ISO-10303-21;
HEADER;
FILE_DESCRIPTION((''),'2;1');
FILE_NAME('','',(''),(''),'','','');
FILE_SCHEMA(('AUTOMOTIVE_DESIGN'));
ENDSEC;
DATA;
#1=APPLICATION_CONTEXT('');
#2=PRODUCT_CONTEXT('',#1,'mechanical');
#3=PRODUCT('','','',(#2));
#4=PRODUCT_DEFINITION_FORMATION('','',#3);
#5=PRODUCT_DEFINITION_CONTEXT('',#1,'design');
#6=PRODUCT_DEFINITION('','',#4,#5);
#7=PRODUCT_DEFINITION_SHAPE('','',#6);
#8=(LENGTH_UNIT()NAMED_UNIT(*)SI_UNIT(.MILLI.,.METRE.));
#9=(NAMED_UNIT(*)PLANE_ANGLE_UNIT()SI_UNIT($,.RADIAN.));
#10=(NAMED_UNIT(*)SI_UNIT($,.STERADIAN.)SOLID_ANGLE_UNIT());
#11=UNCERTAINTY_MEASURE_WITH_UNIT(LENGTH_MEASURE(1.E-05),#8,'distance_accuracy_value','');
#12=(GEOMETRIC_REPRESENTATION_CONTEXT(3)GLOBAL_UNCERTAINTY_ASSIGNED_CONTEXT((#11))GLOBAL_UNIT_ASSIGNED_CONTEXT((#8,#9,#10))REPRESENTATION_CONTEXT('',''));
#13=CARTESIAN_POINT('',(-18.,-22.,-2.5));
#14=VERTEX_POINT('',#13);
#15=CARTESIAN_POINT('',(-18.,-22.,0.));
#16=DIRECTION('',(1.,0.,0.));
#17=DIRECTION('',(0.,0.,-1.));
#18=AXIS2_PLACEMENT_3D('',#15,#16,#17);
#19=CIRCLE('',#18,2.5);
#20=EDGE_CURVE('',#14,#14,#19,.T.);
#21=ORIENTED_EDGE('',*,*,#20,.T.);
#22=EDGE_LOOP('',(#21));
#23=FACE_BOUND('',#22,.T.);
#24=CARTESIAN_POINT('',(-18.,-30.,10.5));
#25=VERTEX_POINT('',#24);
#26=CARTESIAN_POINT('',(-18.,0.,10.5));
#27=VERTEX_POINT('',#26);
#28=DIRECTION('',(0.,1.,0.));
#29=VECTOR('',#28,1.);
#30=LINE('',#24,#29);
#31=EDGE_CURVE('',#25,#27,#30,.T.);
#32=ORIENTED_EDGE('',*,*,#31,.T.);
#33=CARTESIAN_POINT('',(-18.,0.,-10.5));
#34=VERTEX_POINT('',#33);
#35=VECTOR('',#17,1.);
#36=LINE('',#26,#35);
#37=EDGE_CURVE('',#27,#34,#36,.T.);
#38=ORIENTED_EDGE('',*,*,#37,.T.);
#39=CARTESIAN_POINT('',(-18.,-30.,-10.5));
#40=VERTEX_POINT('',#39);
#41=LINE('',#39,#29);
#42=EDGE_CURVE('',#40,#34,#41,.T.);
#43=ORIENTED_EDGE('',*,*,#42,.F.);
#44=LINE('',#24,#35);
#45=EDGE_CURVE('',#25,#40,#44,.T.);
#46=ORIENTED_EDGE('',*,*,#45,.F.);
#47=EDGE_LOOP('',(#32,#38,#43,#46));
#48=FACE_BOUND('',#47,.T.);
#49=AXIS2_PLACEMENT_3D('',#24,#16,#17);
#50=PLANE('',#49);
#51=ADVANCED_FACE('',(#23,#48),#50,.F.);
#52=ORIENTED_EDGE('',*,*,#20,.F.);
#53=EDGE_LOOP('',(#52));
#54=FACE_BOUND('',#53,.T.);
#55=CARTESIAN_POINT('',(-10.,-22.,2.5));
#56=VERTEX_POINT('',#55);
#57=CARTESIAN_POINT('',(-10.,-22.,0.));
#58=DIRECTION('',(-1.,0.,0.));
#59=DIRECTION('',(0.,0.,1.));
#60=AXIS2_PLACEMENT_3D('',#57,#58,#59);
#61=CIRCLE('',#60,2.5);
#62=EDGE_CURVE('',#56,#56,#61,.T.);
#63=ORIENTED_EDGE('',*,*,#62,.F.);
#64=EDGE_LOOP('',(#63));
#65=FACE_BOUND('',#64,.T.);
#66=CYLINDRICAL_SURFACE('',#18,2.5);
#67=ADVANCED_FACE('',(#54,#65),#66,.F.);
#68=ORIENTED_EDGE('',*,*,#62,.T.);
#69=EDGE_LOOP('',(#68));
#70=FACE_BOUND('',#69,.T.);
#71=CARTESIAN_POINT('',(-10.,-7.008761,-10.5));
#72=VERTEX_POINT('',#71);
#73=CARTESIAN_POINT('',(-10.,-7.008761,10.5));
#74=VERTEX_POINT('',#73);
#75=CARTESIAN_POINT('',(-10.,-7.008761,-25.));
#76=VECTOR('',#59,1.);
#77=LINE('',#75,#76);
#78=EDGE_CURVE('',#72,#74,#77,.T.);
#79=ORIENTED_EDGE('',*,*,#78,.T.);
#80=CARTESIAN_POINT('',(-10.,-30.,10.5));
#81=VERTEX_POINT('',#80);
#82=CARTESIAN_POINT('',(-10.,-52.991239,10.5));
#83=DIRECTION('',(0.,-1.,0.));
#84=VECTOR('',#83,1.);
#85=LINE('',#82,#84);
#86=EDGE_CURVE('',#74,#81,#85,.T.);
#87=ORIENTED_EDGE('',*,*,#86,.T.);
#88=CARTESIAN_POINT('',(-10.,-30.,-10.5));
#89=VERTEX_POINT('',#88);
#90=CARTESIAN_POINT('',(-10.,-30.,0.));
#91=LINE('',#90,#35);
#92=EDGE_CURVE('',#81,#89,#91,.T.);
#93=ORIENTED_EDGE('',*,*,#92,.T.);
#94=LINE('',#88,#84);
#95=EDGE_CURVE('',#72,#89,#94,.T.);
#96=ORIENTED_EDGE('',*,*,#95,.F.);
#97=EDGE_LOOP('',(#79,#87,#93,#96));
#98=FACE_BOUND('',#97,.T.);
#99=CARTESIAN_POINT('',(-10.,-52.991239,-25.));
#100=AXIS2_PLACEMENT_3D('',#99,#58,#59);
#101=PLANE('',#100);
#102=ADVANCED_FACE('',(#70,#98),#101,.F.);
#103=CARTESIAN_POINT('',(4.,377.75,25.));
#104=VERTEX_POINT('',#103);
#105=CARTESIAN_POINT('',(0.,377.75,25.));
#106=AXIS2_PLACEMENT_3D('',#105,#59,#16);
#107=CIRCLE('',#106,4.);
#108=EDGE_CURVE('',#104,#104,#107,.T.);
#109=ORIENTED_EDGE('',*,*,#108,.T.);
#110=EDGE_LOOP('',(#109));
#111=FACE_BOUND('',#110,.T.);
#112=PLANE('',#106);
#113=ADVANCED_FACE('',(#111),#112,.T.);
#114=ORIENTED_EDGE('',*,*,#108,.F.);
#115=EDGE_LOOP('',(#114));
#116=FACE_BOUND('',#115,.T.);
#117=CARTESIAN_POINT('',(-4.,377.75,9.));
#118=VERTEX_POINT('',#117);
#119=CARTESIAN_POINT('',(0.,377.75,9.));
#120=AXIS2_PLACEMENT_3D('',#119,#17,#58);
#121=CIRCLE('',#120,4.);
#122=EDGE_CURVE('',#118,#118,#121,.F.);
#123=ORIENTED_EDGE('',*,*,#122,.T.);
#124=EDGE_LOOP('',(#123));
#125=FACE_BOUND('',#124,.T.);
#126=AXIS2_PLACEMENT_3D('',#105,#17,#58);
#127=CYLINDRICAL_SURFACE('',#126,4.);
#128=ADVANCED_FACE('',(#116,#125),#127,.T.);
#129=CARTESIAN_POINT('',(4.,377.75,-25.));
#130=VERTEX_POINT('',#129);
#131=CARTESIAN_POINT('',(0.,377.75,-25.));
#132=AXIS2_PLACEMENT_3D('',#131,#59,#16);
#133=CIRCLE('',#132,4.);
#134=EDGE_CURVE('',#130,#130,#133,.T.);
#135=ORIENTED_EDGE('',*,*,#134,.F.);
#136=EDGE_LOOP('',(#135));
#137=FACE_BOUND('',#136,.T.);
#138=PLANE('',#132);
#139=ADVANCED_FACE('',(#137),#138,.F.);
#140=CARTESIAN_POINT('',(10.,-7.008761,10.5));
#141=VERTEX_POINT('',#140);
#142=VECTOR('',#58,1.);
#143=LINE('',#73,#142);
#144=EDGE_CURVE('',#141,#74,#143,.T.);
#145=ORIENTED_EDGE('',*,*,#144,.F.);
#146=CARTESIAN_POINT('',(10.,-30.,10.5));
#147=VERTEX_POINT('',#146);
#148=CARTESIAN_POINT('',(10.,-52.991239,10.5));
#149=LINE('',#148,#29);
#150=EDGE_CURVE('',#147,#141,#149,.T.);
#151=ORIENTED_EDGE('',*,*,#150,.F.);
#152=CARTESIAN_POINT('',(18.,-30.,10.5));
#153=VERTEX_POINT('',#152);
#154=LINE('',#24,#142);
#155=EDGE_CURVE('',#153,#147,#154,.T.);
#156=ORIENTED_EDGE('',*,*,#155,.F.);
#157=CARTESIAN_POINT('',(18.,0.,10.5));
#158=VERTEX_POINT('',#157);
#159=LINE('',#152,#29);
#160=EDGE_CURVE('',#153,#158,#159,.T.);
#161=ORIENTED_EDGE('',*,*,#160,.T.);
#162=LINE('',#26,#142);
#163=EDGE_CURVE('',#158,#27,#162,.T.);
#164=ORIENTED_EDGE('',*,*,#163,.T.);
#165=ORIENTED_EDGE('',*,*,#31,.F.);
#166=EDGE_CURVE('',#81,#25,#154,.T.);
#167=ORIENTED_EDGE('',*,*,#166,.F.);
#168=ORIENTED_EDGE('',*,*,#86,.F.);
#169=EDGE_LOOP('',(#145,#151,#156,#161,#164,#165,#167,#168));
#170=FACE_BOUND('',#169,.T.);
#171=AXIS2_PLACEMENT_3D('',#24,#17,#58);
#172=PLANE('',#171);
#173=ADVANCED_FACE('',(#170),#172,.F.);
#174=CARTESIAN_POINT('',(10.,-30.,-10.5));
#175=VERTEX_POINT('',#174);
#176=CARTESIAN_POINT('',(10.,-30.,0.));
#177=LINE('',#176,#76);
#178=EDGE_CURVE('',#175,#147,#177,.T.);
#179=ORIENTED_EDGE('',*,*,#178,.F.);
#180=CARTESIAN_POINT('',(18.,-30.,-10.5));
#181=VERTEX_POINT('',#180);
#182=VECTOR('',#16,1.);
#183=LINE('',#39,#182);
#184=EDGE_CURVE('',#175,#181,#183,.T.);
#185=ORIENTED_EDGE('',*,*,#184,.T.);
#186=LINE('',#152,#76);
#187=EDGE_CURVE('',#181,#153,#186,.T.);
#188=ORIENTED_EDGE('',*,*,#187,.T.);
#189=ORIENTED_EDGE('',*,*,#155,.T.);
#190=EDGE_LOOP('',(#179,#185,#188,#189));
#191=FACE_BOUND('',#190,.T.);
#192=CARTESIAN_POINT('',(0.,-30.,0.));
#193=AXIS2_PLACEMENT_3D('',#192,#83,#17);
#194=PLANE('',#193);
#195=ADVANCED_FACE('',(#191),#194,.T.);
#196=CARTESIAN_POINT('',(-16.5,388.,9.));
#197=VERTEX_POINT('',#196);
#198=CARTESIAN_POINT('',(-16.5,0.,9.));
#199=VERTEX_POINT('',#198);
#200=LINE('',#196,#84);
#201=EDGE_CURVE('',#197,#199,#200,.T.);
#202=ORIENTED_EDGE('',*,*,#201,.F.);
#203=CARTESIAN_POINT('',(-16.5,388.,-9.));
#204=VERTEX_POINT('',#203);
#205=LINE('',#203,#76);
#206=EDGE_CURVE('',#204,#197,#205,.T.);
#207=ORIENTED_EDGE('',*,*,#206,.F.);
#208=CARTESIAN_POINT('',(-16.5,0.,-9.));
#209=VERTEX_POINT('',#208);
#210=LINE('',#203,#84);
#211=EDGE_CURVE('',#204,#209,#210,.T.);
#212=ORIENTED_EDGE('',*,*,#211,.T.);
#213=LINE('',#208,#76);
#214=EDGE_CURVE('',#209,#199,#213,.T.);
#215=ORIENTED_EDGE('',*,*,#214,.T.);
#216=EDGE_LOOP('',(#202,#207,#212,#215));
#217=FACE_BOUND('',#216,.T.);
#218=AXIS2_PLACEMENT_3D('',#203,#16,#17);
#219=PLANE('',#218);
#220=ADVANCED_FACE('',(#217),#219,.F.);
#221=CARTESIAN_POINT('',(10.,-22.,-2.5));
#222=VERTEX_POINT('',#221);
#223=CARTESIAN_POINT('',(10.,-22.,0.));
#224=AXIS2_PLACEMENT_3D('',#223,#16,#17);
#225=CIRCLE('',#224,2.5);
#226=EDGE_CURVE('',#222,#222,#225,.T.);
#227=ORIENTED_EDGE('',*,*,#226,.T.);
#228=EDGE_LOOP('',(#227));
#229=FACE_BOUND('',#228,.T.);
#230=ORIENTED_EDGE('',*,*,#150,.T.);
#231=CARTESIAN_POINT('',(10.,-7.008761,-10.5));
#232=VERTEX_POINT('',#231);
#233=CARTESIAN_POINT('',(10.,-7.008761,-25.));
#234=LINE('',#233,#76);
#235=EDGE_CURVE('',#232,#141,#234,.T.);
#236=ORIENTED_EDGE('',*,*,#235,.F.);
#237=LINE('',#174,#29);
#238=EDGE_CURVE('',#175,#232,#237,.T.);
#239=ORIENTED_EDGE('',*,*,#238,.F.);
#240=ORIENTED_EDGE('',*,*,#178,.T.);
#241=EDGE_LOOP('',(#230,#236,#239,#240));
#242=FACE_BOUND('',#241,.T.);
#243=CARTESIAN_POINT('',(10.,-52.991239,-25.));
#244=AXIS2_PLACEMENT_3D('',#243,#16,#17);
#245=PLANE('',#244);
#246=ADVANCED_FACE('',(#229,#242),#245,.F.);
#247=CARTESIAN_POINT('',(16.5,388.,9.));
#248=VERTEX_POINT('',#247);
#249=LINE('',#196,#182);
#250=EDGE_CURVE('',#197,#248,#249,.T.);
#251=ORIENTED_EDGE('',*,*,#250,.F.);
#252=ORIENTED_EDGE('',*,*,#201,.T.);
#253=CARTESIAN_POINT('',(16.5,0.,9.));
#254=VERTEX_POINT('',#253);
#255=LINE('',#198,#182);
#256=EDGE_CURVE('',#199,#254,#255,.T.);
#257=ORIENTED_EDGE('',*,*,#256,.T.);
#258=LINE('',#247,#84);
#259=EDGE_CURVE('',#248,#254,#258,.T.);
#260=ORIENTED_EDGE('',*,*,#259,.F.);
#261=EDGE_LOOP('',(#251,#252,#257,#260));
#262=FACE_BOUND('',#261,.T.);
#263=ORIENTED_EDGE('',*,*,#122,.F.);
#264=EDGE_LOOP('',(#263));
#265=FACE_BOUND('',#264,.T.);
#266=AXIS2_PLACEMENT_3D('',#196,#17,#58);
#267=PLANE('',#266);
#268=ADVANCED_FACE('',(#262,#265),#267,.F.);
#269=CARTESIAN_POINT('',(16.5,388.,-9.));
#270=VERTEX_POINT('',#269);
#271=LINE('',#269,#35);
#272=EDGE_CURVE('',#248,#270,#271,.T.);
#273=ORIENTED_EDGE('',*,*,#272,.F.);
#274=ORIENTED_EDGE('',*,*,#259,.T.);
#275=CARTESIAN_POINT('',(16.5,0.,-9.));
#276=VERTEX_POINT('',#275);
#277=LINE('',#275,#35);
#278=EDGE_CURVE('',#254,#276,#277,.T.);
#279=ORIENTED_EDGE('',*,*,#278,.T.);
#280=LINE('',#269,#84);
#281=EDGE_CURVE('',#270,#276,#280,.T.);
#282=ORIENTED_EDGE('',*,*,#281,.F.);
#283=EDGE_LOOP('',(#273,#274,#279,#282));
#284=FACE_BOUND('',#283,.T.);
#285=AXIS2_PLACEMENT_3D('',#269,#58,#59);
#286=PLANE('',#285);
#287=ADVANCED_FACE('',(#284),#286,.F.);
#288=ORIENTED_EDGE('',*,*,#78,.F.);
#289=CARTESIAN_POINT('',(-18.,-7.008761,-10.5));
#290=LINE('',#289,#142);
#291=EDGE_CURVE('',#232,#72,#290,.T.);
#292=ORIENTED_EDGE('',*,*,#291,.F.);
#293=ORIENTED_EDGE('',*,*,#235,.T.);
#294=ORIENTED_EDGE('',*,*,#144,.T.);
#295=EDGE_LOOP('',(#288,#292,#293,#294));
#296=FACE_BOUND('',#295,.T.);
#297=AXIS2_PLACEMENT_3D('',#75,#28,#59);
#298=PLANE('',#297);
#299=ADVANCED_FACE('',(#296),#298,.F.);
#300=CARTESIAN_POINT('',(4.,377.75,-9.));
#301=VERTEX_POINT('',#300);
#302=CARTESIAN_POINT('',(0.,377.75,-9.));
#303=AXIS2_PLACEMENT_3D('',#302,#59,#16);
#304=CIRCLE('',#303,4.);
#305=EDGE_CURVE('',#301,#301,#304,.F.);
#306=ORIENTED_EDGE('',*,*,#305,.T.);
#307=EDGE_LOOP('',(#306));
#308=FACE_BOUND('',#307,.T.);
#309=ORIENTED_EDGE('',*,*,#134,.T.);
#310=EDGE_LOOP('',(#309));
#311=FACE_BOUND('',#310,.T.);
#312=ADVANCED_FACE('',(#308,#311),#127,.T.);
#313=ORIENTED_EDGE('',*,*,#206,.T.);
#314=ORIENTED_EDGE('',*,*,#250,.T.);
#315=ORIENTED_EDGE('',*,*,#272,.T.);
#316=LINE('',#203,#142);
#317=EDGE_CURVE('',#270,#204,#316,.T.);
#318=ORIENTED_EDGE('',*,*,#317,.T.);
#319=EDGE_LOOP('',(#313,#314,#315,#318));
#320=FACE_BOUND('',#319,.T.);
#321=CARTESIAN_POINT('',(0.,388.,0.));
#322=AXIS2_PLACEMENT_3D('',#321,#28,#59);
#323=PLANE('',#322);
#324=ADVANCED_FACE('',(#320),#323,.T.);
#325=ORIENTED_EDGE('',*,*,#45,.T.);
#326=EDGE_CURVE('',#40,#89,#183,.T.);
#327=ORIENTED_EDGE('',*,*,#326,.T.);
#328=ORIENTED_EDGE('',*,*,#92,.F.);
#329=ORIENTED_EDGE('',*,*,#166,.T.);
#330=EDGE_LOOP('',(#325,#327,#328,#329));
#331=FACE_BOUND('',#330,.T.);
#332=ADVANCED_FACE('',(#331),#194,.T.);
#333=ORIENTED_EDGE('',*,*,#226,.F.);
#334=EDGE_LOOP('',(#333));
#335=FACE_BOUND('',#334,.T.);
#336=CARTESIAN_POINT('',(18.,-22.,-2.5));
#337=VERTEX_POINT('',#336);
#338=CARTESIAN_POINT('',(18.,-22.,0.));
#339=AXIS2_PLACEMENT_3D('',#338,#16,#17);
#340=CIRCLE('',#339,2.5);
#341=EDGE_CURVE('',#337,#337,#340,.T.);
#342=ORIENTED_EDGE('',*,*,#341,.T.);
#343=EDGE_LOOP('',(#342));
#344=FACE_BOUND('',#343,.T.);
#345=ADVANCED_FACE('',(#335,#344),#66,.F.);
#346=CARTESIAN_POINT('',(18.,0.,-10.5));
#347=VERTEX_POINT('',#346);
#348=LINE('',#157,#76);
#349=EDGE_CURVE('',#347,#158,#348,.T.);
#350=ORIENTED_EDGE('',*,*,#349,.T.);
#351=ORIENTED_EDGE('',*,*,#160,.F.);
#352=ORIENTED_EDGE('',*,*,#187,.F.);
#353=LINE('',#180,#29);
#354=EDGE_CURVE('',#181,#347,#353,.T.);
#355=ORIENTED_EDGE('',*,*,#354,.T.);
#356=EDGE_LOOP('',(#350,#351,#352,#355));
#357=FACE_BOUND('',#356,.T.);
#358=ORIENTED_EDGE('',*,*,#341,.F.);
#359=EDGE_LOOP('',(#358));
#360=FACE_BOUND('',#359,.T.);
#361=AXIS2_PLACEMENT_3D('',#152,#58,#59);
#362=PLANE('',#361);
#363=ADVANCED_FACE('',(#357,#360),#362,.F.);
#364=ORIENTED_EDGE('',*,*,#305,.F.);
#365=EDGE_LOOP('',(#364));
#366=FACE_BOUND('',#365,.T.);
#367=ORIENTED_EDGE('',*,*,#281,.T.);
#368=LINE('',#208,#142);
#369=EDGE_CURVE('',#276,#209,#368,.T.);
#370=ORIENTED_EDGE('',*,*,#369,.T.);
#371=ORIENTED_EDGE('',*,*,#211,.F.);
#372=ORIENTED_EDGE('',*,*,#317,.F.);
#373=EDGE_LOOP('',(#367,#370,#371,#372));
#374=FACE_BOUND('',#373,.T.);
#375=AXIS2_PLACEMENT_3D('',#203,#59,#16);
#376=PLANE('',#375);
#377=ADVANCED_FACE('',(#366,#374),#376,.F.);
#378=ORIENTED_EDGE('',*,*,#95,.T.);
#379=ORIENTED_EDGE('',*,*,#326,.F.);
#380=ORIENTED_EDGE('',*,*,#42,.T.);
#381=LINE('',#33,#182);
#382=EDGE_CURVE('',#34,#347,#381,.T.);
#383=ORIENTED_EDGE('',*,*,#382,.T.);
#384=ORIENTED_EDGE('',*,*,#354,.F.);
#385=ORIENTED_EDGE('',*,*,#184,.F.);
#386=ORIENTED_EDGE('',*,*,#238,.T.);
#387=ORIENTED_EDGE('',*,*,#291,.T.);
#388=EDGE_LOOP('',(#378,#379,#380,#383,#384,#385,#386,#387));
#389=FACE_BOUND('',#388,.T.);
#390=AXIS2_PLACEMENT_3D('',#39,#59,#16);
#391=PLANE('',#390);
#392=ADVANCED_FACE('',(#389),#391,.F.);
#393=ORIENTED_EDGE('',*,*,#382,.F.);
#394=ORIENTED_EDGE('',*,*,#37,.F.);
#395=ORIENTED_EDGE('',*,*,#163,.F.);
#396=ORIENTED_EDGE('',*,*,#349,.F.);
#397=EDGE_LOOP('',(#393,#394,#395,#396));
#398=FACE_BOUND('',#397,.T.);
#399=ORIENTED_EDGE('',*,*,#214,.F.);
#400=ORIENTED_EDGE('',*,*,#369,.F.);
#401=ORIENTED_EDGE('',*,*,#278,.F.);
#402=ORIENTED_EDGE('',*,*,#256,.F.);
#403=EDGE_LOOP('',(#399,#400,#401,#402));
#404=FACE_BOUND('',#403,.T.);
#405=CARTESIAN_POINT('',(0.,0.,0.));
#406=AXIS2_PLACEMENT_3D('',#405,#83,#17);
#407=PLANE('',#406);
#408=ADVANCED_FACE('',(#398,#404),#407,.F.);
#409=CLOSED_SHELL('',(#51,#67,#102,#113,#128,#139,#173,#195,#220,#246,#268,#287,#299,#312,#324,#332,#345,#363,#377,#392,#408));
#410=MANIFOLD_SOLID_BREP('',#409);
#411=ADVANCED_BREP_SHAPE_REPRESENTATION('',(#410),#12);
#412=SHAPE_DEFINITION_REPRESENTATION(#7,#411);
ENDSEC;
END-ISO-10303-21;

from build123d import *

# Parameters (mm, degrees)
SKETCH1_W           = 33
SKETCH1_H           = 18
BOSS_EXTRUDE1_DEPTH = 388
SKETCH3_R           = 4
BOSS_EXTRUDE2_DEPTH = 25
SKETCH4_W           = 36
SKETCH4_H           = 21
BOSS_EXTRUDE3_DEPTH = 30
SKETCH5_W           = 20
SKETCH5_H           = 45.982478268
CUT_EXTRUDE1_DEPTH  = 391.036216267
SKETCH6_R           = 2.5
CUT_EXTRUDE2_DEPTH  = 391.467668316


with BuildPart() as part:
    # Sketch1 → Boss-Extrude1 (new body)
    with BuildSketch(Plane(origin=(0, 0, 0), x_dir=(1, 0, 0), z_dir=(0, 1, 0))):
        Rectangle(SKETCH1_W, SKETCH1_H)
    extrude(amount=BOSS_EXTRUDE1_DEPTH)

    # Sketch3 → Boss-Extrude2 (add, symmetric)
    with BuildSketch(Plane.XY):
        with Locations(Location((0, 377.75, 0), (0, 0, 180))):
            Circle(SKETCH3_R)
    extrude(amount=BOSS_EXTRUDE2_DEPTH, both=True)

    # Sketch4 → Boss-Extrude3 (add)
    with BuildSketch(Plane.XZ):
        Rectangle(SKETCH4_W, SKETCH4_H)
    extrude(amount=BOSS_EXTRUDE3_DEPTH)

    # Sketch5 → Cut-Extrude1 (cut, through all)
    with BuildSketch(Plane.XY.offset(10.5)):
        with Locations((0, -30)):
            Rectangle(SKETCH5_W, SKETCH5_H)
    extrude(amount=-CUT_EXTRUDE1_DEPTH, mode=Mode.SUBTRACT)

    # Sketch6 → Cut-Extrude2 (cut, through all)
    with BuildSketch(Plane(origin=(18, 0, 0), x_dir=(0, 0, -1), z_dir=(1, 0, 0))):
        with Locations((0, -22)):
            Circle(SKETCH6_R)
    extrude(amount=-CUT_EXTRUDE2_DEPTH, mode=Mode.SUBTRACT)


solid = part.part
